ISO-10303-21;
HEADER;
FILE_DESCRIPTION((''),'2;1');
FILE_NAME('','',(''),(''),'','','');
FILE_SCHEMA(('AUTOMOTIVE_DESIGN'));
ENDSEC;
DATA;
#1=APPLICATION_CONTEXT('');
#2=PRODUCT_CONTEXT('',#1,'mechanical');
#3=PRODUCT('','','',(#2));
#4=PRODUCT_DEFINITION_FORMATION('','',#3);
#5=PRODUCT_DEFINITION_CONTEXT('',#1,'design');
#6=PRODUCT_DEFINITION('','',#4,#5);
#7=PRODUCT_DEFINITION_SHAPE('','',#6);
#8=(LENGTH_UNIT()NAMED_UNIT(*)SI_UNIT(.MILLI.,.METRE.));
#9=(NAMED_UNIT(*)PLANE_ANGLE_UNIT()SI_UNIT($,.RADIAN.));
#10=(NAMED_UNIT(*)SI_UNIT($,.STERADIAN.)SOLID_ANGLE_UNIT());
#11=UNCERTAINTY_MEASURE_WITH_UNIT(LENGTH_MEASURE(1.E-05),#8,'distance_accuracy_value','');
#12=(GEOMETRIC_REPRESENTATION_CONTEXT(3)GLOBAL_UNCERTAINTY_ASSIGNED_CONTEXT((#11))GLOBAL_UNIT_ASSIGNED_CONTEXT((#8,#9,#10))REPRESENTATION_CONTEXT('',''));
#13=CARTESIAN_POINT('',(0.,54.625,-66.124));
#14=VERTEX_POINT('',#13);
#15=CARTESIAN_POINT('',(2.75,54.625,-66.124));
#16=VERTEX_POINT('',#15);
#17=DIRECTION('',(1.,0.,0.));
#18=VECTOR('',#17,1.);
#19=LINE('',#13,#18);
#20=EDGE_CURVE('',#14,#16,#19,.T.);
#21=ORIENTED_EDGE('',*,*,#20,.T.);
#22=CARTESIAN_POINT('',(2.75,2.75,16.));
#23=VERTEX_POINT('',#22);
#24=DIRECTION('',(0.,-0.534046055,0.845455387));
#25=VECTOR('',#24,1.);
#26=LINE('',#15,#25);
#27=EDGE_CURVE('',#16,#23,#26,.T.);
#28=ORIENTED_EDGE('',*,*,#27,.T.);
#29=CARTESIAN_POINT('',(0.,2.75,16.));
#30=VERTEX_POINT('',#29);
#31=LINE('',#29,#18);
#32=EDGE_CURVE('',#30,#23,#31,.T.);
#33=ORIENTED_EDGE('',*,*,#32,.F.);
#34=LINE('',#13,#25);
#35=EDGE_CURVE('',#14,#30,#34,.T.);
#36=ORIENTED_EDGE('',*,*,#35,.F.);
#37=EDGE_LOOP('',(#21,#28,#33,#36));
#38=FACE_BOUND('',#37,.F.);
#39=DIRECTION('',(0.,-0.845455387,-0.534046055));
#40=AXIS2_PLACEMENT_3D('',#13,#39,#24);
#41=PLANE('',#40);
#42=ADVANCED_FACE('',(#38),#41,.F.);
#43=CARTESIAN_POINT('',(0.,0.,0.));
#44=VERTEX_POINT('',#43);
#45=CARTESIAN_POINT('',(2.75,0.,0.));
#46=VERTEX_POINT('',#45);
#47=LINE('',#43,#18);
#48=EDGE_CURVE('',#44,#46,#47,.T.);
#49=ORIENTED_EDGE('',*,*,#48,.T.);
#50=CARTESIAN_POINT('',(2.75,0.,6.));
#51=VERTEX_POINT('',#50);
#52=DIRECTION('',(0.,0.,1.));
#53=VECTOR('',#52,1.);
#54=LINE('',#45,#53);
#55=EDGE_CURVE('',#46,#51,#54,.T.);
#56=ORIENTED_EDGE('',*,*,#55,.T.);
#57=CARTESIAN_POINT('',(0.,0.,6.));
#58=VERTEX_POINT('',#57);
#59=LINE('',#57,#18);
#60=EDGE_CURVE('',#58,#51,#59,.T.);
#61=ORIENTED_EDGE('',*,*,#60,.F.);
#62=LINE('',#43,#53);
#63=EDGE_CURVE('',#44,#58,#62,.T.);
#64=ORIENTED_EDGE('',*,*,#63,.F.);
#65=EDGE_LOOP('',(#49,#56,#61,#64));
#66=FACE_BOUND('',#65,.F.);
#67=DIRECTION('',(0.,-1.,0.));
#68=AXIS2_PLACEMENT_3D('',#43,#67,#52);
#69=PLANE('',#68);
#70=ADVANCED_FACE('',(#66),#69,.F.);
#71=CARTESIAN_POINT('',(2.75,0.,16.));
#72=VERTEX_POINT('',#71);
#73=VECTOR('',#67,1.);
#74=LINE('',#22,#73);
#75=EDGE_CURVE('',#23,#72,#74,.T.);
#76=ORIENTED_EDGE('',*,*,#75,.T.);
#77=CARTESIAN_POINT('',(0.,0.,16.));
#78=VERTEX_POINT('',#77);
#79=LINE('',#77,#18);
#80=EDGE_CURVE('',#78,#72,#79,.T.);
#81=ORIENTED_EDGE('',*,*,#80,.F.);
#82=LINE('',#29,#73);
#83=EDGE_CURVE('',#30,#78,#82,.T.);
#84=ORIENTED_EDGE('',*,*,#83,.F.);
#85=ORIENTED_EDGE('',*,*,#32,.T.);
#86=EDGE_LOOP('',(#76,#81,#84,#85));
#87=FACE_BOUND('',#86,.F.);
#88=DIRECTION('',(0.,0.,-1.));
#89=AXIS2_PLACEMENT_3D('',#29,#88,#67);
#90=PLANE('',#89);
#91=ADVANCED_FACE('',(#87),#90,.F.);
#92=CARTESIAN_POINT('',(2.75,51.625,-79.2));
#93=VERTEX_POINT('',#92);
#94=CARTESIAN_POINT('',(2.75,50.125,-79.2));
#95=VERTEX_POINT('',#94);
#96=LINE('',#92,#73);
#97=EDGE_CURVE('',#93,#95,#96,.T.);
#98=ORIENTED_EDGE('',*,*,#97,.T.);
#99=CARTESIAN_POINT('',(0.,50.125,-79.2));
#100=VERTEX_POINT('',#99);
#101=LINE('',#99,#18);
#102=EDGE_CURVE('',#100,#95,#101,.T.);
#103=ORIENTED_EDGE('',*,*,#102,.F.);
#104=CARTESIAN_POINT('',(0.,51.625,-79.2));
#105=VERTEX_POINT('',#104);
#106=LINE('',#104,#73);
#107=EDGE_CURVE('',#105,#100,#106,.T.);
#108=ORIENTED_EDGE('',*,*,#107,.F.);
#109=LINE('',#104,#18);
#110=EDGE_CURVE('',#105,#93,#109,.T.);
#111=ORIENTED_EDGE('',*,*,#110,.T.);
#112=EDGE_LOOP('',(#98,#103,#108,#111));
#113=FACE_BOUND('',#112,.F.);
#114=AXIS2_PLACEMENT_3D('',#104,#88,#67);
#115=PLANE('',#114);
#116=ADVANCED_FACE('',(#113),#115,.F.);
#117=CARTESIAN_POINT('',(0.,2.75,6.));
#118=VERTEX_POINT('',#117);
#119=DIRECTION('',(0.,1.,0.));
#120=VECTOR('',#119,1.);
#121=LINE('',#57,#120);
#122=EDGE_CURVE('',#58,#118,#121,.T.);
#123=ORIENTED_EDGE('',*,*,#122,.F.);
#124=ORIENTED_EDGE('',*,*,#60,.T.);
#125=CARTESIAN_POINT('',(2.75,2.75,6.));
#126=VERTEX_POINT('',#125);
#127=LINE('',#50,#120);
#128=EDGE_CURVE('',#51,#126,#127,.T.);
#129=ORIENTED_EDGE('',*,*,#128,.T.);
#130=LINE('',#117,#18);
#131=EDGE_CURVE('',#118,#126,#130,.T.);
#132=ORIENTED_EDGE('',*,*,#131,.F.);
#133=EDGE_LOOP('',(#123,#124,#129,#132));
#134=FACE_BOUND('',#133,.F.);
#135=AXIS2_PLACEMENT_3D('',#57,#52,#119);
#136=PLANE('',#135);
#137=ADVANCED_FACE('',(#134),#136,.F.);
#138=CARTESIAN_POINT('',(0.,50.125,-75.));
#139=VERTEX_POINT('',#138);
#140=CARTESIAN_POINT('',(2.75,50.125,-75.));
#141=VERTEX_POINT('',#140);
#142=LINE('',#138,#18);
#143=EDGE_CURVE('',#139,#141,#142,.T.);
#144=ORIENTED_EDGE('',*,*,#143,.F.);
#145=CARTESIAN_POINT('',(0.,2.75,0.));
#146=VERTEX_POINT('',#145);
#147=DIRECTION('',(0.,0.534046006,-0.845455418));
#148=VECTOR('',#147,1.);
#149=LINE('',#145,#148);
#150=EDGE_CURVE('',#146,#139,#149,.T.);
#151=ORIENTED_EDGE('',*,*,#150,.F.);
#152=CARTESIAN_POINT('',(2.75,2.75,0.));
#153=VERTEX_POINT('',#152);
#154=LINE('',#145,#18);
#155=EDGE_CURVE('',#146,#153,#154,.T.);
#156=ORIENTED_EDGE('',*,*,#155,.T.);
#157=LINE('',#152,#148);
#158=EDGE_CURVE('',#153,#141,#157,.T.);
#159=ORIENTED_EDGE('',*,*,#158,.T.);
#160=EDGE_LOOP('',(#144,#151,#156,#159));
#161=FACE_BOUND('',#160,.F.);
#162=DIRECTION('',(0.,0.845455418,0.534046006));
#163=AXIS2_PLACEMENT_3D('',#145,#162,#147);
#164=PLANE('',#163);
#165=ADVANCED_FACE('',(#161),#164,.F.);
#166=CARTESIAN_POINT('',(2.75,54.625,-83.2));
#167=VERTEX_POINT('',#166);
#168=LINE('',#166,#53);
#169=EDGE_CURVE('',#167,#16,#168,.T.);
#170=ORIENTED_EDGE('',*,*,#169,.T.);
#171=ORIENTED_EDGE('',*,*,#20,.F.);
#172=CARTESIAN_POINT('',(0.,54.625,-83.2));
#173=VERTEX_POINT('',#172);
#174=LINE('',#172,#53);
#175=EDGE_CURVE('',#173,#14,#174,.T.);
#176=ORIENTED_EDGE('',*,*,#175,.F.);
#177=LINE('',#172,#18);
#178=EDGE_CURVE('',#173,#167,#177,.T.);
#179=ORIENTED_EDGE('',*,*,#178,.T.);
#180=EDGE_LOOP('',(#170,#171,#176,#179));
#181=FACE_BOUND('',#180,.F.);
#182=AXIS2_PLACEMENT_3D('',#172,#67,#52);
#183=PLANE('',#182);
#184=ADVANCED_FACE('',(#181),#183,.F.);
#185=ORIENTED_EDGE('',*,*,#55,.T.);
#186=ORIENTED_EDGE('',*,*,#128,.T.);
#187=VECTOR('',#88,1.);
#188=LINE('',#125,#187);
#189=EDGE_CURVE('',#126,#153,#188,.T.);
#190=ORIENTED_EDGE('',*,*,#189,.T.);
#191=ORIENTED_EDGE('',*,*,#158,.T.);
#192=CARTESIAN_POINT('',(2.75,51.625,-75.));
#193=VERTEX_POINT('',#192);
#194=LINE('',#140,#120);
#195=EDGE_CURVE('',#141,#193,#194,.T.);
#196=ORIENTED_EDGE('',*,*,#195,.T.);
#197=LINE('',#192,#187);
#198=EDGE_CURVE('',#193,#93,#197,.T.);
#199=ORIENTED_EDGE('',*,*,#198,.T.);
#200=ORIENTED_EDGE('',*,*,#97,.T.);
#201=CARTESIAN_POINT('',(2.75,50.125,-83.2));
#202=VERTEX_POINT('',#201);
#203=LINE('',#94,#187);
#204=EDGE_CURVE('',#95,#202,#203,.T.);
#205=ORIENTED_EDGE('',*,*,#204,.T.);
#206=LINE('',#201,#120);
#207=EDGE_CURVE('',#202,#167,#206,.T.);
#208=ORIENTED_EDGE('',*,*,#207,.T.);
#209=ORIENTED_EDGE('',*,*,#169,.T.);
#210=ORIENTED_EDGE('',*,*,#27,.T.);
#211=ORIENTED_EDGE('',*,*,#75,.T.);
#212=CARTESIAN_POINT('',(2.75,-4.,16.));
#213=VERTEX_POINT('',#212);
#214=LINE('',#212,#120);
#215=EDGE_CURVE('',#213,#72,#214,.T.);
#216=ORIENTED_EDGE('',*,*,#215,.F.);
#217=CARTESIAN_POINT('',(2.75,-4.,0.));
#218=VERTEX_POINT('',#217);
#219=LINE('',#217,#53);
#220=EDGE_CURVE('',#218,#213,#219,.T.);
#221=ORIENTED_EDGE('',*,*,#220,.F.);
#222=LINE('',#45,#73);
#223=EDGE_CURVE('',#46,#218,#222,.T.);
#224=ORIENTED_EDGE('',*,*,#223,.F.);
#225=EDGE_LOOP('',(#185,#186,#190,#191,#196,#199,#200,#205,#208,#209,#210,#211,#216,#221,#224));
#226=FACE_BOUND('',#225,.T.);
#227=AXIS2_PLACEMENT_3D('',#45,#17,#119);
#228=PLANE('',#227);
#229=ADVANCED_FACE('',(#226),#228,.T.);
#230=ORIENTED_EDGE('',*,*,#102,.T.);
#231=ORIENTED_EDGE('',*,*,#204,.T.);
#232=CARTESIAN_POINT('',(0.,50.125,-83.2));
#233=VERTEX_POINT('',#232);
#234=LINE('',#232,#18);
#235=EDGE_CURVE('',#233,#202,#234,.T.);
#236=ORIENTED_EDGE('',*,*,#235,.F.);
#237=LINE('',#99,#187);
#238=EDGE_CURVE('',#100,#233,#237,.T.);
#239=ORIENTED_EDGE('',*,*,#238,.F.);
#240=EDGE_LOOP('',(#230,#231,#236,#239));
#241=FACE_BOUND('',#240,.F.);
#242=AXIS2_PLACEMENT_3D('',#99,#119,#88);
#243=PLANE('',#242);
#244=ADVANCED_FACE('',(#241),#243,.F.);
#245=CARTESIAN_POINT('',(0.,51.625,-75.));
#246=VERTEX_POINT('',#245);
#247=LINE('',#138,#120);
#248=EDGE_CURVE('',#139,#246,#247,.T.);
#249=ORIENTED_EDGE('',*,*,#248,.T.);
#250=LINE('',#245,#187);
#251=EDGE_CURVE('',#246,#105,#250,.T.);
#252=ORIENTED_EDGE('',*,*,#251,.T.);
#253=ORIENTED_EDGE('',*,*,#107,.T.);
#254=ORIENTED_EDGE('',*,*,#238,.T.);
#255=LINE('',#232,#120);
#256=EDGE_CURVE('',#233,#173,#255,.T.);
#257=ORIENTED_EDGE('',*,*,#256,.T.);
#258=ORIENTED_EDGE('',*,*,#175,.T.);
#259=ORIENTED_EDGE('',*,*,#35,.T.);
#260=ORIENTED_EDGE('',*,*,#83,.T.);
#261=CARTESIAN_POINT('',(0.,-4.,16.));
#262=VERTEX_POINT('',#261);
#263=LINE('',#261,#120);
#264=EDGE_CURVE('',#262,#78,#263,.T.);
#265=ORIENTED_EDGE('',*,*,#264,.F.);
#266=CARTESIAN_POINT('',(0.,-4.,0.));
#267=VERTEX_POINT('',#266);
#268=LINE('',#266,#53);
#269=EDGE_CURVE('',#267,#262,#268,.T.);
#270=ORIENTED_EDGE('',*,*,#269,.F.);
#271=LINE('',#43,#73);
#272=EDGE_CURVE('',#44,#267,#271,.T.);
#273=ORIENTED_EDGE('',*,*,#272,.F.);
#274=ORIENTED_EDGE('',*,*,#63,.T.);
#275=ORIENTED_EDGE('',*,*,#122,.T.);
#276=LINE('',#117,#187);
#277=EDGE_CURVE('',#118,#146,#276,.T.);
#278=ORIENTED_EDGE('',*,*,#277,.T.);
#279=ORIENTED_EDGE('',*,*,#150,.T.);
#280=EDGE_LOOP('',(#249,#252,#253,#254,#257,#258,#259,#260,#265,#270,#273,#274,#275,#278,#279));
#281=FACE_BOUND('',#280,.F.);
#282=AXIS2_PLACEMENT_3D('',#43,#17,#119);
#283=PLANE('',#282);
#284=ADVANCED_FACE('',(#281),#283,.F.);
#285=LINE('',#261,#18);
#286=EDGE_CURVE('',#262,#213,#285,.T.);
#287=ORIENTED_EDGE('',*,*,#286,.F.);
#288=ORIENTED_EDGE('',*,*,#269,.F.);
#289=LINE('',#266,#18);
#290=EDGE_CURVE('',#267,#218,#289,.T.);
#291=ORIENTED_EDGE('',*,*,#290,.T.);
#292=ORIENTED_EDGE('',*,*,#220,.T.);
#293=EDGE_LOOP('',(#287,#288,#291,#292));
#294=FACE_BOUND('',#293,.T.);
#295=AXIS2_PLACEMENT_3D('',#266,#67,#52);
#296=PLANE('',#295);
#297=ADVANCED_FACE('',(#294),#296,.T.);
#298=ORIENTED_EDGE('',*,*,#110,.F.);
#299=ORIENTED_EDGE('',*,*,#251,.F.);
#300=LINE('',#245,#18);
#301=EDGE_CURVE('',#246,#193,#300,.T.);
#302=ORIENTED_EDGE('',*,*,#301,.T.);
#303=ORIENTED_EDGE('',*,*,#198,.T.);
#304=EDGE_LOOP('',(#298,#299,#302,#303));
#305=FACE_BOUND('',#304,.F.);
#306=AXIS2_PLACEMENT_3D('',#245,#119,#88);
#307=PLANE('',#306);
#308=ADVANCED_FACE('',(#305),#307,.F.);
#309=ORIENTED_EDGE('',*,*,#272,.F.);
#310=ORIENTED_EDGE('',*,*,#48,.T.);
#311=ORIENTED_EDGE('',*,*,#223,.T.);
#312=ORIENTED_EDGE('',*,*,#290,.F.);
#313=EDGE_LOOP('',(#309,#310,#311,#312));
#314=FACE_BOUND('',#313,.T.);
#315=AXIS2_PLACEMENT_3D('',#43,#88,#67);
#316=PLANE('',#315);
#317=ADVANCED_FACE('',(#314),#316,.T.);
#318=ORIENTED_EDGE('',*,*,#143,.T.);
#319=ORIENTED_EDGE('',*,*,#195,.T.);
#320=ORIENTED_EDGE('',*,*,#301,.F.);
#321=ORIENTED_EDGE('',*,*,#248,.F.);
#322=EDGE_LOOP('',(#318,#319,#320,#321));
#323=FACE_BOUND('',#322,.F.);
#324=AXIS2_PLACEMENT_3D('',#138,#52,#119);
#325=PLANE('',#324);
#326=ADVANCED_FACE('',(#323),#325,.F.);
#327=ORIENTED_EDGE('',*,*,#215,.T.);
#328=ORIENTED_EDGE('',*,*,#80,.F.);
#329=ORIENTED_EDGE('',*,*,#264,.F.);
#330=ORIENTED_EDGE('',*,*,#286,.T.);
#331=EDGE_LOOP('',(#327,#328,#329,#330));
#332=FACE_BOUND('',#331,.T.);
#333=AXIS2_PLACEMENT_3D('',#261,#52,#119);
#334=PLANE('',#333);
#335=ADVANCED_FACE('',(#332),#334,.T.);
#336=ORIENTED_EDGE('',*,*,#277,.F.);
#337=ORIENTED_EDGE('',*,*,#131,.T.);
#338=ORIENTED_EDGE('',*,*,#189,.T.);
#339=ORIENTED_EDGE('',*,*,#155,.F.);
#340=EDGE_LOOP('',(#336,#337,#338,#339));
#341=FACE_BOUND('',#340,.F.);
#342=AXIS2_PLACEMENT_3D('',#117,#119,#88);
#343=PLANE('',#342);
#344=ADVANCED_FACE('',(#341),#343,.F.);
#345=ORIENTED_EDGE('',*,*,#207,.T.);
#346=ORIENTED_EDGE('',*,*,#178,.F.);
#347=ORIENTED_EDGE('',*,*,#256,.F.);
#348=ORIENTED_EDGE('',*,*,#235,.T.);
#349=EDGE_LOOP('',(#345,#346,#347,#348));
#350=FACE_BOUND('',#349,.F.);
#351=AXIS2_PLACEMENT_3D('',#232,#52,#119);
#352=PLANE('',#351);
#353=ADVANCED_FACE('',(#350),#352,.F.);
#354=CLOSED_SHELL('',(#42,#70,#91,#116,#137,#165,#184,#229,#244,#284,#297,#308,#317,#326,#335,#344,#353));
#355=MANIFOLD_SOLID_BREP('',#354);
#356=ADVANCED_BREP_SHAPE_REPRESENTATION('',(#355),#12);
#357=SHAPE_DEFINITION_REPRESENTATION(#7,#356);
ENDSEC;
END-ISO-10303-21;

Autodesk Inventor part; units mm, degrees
ref_plane "YZ Plane" through (0, 0, 0) normal (1, 0, 0) x (0, 1, 0)
ref_plane "XZ Plane" through (0, 0, 0) normal (0, 1, 0) x (-1, 0, 0)
ref_plane "XY Plane" through (0, 0, 0) normal (0, 0, 1) x (1, 0, 0)
sketch "Sketch1" plane through (0, 0, 0) normal (1, 0, 0) x (0, 1, 0)
  point P0 (0, 0)
sketch "Sketch2" plane through (0, 0, 0) normal (1, 0, 0) x (0, 1, 0)
  line L0 (2.75, 0) -> (50.125, -75)
  line L1 (50.125, -75) -> (51.625, -75)
  line L2 (51.625, -75) -> (51.625, -79.2)
  line L3 (51.625, -79.2) -> (50.125, -79.2)
  line L4 (50.125, -79.2) -> (50.125, -83.2)
  line L5 (50.125, -83.2) -> (54.625, -83.2)
  line L6 (54.625, -83.2) -> (54.625, -66.124)
  line L7 (54.625, -66.124) -> (2.75, 16)
  line L8 (2.75, 16) -> (0, 16)
  line L9 (0, 0) -> (0, 6)
  line L10 (0, 6) -> (2.75, 6)
  line L11 (2.75, 6) -> (2.75, 0)
  line L12 (0, 0) -> (2.75, 0) construction
  line L13 (50.125, -75) -> (50.125, -79.2) construction
  line L14 (0, 6) -> (0, 16) construction
  line L15 (2.75, 6) -> (2.75, 16) construction
  line L16 (0, 0) -> (-4, 0)
  line L17 (-4, 0) -> (-4, 16)
  line L18 (-4, 16) -> (0, 16)
  point P0 (0, 0)
  dimension "d37" = 2.75
  dimension "d40" = 6
  dimension "d42" = 1.5
  dimension "d43" = 3
  dimension "d44" = 4
  dimension "d45" = 10
  dimension "d60" = 4.2
  dimension "d61" = 81
  dimension "d62" = 4
  dimension "d64" = 48.875
extrude "Extrusion1" add sketch "Sketch2" along normal blind 2.75
properties part number "TrayPanelK"
